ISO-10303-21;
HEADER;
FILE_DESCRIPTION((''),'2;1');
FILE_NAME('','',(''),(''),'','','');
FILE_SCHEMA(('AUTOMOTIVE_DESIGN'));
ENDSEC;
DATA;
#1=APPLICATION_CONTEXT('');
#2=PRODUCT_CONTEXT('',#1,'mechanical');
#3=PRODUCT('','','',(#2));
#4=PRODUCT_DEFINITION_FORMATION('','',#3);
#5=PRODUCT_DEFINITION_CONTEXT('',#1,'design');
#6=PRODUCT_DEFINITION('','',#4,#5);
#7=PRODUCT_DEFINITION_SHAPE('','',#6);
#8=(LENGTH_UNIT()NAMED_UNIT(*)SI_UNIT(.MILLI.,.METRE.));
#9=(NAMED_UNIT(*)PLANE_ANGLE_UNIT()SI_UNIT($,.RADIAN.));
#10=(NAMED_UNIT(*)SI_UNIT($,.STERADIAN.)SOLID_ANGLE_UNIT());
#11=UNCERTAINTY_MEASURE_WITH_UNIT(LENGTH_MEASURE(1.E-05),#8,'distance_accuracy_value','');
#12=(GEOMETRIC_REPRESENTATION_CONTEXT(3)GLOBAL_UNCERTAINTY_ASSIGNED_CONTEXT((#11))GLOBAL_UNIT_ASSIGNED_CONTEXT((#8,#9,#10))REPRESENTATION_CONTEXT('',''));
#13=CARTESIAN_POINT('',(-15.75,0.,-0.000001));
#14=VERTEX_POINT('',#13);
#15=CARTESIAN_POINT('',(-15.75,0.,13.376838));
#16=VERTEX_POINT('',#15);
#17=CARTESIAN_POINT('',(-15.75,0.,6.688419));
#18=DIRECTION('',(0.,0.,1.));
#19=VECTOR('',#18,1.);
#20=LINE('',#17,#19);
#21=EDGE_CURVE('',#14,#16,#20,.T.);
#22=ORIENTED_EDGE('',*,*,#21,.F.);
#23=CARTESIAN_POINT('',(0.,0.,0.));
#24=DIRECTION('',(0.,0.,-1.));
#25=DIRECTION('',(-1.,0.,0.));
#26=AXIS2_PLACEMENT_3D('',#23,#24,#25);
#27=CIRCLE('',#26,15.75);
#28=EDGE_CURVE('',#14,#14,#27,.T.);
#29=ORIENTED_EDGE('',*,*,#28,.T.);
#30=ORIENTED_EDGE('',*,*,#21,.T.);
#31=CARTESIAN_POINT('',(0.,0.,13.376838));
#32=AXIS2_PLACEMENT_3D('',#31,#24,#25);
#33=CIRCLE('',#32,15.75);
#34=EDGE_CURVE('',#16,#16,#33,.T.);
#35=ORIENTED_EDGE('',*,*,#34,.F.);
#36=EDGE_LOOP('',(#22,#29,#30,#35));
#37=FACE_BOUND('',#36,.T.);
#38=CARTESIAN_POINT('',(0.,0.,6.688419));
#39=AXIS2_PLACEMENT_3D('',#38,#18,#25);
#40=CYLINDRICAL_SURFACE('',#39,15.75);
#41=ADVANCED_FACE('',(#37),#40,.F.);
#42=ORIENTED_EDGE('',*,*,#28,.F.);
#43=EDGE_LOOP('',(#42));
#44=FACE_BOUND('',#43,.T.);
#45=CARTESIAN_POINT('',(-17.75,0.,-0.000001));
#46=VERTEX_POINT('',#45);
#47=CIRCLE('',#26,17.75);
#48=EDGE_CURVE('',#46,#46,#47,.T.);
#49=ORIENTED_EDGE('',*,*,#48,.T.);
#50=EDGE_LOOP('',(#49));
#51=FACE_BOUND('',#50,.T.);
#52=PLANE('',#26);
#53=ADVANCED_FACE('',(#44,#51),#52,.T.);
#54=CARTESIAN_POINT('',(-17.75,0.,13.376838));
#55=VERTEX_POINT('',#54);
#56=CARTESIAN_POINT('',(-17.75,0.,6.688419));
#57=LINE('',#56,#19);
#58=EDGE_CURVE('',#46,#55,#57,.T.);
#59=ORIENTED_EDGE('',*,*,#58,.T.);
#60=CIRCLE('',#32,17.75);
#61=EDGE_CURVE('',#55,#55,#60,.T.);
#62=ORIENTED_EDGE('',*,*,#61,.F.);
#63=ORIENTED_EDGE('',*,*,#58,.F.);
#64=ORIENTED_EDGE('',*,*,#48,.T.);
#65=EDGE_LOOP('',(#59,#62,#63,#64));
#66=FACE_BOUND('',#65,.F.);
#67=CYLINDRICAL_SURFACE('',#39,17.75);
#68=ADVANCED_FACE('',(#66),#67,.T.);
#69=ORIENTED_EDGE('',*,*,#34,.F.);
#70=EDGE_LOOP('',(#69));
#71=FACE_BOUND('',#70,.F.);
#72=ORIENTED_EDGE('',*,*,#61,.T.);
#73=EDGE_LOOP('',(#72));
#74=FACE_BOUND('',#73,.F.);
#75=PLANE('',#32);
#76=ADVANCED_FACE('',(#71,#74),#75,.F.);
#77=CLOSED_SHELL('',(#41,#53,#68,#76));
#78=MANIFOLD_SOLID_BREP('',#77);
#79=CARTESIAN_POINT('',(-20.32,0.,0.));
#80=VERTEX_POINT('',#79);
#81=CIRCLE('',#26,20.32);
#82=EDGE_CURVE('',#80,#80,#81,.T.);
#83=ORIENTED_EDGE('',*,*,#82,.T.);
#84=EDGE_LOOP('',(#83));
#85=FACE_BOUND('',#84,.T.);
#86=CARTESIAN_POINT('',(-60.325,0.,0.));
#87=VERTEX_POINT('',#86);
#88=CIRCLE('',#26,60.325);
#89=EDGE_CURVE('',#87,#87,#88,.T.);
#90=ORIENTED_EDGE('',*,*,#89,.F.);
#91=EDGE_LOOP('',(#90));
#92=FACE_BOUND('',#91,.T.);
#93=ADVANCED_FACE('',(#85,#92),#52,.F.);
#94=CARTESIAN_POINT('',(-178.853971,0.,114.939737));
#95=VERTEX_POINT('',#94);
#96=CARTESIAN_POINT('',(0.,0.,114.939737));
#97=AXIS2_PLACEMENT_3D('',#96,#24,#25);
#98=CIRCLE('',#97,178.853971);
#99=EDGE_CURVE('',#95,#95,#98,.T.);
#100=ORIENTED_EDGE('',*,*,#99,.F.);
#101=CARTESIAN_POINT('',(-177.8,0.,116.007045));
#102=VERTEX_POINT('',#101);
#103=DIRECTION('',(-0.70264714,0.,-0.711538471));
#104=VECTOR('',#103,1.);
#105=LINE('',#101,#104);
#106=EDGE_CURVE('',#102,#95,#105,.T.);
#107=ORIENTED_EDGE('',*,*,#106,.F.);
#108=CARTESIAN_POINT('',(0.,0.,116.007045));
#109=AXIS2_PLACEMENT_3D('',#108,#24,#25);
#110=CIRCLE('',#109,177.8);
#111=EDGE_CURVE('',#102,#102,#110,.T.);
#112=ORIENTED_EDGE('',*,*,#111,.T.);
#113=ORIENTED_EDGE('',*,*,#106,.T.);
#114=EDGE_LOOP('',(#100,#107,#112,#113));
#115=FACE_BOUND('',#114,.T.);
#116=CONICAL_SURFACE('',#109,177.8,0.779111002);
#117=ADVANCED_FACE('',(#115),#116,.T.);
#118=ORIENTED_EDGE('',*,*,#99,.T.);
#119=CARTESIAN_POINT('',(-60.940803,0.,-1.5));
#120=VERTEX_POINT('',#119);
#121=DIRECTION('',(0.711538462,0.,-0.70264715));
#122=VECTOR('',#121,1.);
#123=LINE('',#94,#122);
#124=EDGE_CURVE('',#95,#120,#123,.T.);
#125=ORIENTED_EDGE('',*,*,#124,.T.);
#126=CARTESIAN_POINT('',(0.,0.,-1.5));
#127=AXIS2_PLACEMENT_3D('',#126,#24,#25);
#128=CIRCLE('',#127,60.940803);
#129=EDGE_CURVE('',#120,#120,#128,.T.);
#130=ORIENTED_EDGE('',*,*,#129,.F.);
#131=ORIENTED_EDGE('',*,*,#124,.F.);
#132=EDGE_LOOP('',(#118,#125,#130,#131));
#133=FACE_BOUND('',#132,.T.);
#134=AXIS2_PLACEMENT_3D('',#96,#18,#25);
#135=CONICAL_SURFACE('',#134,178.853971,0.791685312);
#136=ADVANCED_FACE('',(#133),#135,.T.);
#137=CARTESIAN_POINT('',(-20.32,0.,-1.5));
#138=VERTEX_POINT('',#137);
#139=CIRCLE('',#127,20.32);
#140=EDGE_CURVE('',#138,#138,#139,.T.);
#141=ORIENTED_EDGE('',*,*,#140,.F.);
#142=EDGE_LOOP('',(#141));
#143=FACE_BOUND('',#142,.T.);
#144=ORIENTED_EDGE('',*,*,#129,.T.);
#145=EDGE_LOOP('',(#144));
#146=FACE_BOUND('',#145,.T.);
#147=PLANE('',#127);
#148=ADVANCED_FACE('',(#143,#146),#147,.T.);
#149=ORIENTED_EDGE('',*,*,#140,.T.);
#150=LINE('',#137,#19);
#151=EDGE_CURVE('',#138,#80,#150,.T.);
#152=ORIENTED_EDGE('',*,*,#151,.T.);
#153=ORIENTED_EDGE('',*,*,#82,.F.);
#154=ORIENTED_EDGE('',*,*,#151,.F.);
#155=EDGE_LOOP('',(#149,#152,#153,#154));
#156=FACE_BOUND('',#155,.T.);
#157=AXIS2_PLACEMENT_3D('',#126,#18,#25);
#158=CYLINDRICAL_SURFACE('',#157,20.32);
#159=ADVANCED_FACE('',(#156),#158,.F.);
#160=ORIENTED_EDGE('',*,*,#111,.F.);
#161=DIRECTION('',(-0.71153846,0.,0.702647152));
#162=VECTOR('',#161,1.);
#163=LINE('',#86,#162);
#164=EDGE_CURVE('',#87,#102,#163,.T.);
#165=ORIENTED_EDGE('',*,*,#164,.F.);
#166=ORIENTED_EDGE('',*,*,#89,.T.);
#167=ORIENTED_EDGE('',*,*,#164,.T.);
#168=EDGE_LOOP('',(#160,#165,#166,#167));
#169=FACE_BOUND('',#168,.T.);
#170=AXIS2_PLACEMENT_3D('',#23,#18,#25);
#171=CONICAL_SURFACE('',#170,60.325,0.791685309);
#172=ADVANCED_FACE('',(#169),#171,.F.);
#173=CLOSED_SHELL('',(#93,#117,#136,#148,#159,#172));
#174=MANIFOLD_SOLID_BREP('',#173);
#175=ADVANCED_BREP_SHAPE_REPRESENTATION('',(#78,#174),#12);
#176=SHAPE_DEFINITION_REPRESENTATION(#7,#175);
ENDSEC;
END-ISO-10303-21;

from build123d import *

# Parameters (mm, degrees)
F0_W = 2
F0_H = 13.376839


with BuildPart() as f1:
    # F0 (on Front) → F1 (revolve)
    with BuildSketch(Plane.XZ):
        Polygon((-20.32, 0), (-60.325, 0), (-177.8, 116.007045), (-178.853971, 114.939737), (-60.940803, -1.5), (-20.32, -1.5), align=None)
        with Locations((-16.75, 6.688419)):
            Rectangle(F0_W, F0_H)
    revolve(axis=Axis((0, 0, 58.003522), (0, 0, -1)))


solid = f1.part
